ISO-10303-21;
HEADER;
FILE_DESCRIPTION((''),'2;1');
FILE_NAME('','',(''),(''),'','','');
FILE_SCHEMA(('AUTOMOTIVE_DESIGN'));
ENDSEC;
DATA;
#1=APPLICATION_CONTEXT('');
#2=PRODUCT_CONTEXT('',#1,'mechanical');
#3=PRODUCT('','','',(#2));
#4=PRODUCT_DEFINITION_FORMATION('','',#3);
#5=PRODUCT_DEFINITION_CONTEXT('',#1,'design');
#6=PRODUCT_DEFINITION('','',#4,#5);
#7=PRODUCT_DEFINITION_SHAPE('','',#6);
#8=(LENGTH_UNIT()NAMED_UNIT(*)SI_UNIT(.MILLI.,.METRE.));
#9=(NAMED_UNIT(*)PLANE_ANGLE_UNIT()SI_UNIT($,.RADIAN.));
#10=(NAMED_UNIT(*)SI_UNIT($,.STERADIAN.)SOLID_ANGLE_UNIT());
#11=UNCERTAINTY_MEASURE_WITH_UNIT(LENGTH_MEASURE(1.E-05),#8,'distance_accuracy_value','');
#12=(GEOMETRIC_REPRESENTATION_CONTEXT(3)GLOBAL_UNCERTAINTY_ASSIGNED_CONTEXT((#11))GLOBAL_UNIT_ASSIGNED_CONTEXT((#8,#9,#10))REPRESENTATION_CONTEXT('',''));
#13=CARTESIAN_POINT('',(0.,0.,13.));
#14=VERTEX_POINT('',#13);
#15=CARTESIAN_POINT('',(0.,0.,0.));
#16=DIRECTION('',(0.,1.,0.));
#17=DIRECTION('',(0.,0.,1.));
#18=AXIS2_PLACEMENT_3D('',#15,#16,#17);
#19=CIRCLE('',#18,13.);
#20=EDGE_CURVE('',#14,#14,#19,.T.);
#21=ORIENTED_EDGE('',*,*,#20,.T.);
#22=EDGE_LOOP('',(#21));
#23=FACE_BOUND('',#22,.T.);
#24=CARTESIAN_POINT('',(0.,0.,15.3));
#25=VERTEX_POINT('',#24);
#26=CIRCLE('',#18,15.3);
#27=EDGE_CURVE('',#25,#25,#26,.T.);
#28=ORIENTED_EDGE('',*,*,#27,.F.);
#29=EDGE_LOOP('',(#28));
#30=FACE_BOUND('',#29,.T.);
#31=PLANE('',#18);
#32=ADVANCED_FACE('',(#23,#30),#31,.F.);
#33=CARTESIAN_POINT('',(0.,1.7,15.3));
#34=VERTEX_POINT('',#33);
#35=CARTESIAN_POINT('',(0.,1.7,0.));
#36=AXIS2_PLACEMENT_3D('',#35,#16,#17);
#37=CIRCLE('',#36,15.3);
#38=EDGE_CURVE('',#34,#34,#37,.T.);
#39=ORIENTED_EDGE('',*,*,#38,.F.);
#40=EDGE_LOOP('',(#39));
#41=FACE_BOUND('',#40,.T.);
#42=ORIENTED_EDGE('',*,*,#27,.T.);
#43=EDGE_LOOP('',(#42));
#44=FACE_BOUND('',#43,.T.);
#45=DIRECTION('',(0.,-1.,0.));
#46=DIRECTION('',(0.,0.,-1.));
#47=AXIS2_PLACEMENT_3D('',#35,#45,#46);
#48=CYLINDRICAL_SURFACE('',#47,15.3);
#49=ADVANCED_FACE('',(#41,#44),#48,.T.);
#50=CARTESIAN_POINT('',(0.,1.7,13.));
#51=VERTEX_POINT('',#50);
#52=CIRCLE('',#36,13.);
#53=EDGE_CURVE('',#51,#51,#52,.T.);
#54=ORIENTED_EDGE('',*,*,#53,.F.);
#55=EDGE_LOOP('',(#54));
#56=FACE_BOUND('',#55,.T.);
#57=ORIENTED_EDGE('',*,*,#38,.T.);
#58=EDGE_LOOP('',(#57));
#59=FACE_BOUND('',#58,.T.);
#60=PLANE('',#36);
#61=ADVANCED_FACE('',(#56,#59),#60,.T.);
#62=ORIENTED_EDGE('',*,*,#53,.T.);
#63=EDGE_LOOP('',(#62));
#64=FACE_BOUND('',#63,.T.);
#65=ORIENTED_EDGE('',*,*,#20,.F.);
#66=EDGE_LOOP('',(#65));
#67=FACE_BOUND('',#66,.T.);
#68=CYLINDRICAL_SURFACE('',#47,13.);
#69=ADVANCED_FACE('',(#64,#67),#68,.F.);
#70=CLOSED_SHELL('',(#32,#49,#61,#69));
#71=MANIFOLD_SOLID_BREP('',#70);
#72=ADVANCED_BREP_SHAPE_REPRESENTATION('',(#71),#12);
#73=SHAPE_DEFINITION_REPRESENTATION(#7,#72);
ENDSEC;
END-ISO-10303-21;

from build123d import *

# Parameters (mm, degrees)
SKETCH1_R           = 15.3
SKETCH1_R_2         = 13
BOSS_EXTRUDE1_DEPTH = 1.7


with BuildPart() as part:
    # Sketch1 → Boss-Extrude1 (new body)
    with BuildSketch(Plane(origin=(0, 0, 0), x_dir=(1, 0, 0), z_dir=(0, 1, 0))):
        with Locations(Location((0, 0, 0), (0, 0, 270))):
            Circle(SKETCH1_R)
        with Locations(Location((0, 0, 0), (0, 0, 270))):
            Circle(SKETCH1_R_2, mode=Mode.SUBTRACT)
    extrude(amount=BOSS_EXTRUDE1_DEPTH)


solid = part.part
